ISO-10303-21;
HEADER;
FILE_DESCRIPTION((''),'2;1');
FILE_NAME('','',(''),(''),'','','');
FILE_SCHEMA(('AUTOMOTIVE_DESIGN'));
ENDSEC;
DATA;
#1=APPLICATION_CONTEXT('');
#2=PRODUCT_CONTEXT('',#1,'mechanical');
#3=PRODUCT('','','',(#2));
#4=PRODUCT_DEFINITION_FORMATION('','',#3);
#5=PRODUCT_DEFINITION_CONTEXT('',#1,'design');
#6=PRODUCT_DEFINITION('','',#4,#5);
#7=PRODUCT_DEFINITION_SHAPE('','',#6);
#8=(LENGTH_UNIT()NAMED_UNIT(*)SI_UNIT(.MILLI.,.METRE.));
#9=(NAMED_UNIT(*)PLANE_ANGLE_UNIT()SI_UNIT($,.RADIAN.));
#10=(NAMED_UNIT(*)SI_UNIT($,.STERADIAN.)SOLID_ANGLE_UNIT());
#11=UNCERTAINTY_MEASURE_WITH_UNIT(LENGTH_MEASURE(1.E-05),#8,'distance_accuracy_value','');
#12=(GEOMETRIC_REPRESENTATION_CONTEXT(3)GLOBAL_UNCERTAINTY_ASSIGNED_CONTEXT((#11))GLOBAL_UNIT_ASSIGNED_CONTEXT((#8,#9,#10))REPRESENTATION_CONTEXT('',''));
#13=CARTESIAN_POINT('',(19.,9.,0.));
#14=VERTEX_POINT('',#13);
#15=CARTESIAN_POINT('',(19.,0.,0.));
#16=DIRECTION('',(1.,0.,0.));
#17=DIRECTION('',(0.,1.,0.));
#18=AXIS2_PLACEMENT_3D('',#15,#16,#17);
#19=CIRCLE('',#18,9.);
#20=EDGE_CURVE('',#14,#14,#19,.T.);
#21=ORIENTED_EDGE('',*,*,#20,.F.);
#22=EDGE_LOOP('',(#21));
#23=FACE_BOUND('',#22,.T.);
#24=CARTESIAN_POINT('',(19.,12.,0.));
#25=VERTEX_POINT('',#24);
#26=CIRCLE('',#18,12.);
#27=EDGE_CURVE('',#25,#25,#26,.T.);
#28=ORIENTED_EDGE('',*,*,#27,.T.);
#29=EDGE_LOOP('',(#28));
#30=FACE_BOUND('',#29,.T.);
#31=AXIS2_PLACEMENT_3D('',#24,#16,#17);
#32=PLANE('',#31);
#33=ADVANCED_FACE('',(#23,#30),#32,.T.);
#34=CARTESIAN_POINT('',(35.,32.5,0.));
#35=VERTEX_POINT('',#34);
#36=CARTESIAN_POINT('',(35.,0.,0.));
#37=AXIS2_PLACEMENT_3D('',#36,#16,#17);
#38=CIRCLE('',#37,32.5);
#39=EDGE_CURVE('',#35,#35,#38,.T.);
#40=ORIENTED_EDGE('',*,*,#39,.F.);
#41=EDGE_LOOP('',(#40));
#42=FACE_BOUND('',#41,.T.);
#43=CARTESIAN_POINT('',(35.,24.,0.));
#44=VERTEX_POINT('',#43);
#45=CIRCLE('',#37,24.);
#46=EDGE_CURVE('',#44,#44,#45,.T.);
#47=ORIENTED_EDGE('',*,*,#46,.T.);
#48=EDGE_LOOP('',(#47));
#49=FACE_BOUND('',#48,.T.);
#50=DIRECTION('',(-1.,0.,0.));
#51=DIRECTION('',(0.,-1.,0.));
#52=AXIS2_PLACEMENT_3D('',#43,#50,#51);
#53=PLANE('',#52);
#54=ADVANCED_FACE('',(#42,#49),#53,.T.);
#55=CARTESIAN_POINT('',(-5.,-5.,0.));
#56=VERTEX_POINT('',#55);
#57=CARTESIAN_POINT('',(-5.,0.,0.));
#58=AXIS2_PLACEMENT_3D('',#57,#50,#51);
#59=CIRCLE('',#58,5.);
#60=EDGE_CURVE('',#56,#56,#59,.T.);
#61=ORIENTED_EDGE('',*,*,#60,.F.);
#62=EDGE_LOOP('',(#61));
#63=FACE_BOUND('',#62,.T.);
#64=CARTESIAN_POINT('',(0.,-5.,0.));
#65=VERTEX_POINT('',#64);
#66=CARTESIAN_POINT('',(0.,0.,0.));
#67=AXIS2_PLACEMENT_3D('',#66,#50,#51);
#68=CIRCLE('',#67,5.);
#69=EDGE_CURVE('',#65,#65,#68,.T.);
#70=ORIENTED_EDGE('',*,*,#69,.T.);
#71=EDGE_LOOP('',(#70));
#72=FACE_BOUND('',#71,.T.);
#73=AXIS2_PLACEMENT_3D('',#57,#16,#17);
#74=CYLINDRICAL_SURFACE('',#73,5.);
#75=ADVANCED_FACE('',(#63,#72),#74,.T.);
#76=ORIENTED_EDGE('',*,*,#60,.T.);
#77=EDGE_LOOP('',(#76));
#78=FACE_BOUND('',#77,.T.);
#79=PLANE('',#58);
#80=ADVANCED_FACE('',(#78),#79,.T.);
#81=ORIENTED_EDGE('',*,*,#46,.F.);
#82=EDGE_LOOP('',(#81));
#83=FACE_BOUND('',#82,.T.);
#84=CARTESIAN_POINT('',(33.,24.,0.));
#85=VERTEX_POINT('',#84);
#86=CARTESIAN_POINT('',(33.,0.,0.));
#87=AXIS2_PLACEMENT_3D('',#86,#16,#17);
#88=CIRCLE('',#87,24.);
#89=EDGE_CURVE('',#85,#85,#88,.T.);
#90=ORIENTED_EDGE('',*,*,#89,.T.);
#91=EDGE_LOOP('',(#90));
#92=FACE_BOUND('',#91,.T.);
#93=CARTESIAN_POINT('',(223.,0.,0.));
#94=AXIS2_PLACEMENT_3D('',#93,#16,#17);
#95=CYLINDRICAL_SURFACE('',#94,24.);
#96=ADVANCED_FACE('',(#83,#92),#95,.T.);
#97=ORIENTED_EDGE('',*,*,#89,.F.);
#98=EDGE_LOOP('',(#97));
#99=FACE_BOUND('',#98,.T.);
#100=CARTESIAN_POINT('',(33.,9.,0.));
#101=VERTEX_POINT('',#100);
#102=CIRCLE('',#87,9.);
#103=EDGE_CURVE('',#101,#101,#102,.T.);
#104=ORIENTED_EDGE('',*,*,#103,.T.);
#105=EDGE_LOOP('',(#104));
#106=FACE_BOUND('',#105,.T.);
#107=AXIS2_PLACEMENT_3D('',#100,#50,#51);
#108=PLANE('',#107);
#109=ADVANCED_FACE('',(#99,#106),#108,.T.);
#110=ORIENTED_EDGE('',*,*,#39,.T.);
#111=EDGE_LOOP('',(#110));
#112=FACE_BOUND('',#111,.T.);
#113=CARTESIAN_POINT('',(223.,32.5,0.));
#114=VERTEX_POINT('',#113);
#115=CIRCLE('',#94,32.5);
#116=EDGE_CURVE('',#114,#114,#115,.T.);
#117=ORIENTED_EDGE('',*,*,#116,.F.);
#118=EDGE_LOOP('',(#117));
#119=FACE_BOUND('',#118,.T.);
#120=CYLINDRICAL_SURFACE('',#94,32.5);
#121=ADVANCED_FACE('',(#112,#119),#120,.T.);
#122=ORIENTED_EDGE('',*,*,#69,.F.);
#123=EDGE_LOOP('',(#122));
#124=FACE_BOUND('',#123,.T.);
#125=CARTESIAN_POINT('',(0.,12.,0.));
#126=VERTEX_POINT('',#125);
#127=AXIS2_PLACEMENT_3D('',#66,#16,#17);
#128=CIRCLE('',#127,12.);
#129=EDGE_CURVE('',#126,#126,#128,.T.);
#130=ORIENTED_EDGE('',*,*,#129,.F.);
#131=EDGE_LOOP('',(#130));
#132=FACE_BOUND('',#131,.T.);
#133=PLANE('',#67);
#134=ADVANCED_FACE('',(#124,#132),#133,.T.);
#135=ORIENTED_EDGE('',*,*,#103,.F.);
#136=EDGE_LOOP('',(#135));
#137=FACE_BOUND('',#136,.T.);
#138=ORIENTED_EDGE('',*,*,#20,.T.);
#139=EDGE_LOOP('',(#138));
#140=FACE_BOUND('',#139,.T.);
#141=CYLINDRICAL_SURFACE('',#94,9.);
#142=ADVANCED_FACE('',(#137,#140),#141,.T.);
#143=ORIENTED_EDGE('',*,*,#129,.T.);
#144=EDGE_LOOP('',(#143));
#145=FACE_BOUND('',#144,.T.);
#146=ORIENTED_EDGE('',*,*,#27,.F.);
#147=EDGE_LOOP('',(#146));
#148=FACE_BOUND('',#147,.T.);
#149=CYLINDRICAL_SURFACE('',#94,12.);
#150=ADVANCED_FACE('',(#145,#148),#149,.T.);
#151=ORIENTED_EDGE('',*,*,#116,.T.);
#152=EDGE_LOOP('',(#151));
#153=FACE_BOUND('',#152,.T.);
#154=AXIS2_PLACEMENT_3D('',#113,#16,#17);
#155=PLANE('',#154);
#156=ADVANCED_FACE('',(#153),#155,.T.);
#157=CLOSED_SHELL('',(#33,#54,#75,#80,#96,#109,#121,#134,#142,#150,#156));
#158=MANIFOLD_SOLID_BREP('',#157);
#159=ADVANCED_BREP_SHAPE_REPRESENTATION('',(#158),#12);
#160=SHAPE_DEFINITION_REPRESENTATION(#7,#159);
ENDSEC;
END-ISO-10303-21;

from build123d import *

# Parameters (mm, degrees)
SKETCH_2_R      = 5
EXTRUDE_2_DEPTH = 5


with BuildPart() as part:
    # 草图1 → 旋转1 (revolve)
    with BuildSketch(Plane.XY):
        Polygon((0, 0), (0, 12), (19, 12), (19, 9), (33, 9), (33, 24), (35, 24), (35, 32.5), (223, 32.5), (223, 0), align=None)
    revolve(axis=Axis((223, 0, 0), (-1, 0, 0)))

    # 草图2 → 凸台-拉伸2 (add)
    with BuildSketch(Plane.ZY):
        with Locations(Location((0, 0, 0), (0, 0, 270))):
            Circle(SKETCH_2_R)
    extrude(amount=EXTRUDE_2_DEPTH)


solid = part.part
